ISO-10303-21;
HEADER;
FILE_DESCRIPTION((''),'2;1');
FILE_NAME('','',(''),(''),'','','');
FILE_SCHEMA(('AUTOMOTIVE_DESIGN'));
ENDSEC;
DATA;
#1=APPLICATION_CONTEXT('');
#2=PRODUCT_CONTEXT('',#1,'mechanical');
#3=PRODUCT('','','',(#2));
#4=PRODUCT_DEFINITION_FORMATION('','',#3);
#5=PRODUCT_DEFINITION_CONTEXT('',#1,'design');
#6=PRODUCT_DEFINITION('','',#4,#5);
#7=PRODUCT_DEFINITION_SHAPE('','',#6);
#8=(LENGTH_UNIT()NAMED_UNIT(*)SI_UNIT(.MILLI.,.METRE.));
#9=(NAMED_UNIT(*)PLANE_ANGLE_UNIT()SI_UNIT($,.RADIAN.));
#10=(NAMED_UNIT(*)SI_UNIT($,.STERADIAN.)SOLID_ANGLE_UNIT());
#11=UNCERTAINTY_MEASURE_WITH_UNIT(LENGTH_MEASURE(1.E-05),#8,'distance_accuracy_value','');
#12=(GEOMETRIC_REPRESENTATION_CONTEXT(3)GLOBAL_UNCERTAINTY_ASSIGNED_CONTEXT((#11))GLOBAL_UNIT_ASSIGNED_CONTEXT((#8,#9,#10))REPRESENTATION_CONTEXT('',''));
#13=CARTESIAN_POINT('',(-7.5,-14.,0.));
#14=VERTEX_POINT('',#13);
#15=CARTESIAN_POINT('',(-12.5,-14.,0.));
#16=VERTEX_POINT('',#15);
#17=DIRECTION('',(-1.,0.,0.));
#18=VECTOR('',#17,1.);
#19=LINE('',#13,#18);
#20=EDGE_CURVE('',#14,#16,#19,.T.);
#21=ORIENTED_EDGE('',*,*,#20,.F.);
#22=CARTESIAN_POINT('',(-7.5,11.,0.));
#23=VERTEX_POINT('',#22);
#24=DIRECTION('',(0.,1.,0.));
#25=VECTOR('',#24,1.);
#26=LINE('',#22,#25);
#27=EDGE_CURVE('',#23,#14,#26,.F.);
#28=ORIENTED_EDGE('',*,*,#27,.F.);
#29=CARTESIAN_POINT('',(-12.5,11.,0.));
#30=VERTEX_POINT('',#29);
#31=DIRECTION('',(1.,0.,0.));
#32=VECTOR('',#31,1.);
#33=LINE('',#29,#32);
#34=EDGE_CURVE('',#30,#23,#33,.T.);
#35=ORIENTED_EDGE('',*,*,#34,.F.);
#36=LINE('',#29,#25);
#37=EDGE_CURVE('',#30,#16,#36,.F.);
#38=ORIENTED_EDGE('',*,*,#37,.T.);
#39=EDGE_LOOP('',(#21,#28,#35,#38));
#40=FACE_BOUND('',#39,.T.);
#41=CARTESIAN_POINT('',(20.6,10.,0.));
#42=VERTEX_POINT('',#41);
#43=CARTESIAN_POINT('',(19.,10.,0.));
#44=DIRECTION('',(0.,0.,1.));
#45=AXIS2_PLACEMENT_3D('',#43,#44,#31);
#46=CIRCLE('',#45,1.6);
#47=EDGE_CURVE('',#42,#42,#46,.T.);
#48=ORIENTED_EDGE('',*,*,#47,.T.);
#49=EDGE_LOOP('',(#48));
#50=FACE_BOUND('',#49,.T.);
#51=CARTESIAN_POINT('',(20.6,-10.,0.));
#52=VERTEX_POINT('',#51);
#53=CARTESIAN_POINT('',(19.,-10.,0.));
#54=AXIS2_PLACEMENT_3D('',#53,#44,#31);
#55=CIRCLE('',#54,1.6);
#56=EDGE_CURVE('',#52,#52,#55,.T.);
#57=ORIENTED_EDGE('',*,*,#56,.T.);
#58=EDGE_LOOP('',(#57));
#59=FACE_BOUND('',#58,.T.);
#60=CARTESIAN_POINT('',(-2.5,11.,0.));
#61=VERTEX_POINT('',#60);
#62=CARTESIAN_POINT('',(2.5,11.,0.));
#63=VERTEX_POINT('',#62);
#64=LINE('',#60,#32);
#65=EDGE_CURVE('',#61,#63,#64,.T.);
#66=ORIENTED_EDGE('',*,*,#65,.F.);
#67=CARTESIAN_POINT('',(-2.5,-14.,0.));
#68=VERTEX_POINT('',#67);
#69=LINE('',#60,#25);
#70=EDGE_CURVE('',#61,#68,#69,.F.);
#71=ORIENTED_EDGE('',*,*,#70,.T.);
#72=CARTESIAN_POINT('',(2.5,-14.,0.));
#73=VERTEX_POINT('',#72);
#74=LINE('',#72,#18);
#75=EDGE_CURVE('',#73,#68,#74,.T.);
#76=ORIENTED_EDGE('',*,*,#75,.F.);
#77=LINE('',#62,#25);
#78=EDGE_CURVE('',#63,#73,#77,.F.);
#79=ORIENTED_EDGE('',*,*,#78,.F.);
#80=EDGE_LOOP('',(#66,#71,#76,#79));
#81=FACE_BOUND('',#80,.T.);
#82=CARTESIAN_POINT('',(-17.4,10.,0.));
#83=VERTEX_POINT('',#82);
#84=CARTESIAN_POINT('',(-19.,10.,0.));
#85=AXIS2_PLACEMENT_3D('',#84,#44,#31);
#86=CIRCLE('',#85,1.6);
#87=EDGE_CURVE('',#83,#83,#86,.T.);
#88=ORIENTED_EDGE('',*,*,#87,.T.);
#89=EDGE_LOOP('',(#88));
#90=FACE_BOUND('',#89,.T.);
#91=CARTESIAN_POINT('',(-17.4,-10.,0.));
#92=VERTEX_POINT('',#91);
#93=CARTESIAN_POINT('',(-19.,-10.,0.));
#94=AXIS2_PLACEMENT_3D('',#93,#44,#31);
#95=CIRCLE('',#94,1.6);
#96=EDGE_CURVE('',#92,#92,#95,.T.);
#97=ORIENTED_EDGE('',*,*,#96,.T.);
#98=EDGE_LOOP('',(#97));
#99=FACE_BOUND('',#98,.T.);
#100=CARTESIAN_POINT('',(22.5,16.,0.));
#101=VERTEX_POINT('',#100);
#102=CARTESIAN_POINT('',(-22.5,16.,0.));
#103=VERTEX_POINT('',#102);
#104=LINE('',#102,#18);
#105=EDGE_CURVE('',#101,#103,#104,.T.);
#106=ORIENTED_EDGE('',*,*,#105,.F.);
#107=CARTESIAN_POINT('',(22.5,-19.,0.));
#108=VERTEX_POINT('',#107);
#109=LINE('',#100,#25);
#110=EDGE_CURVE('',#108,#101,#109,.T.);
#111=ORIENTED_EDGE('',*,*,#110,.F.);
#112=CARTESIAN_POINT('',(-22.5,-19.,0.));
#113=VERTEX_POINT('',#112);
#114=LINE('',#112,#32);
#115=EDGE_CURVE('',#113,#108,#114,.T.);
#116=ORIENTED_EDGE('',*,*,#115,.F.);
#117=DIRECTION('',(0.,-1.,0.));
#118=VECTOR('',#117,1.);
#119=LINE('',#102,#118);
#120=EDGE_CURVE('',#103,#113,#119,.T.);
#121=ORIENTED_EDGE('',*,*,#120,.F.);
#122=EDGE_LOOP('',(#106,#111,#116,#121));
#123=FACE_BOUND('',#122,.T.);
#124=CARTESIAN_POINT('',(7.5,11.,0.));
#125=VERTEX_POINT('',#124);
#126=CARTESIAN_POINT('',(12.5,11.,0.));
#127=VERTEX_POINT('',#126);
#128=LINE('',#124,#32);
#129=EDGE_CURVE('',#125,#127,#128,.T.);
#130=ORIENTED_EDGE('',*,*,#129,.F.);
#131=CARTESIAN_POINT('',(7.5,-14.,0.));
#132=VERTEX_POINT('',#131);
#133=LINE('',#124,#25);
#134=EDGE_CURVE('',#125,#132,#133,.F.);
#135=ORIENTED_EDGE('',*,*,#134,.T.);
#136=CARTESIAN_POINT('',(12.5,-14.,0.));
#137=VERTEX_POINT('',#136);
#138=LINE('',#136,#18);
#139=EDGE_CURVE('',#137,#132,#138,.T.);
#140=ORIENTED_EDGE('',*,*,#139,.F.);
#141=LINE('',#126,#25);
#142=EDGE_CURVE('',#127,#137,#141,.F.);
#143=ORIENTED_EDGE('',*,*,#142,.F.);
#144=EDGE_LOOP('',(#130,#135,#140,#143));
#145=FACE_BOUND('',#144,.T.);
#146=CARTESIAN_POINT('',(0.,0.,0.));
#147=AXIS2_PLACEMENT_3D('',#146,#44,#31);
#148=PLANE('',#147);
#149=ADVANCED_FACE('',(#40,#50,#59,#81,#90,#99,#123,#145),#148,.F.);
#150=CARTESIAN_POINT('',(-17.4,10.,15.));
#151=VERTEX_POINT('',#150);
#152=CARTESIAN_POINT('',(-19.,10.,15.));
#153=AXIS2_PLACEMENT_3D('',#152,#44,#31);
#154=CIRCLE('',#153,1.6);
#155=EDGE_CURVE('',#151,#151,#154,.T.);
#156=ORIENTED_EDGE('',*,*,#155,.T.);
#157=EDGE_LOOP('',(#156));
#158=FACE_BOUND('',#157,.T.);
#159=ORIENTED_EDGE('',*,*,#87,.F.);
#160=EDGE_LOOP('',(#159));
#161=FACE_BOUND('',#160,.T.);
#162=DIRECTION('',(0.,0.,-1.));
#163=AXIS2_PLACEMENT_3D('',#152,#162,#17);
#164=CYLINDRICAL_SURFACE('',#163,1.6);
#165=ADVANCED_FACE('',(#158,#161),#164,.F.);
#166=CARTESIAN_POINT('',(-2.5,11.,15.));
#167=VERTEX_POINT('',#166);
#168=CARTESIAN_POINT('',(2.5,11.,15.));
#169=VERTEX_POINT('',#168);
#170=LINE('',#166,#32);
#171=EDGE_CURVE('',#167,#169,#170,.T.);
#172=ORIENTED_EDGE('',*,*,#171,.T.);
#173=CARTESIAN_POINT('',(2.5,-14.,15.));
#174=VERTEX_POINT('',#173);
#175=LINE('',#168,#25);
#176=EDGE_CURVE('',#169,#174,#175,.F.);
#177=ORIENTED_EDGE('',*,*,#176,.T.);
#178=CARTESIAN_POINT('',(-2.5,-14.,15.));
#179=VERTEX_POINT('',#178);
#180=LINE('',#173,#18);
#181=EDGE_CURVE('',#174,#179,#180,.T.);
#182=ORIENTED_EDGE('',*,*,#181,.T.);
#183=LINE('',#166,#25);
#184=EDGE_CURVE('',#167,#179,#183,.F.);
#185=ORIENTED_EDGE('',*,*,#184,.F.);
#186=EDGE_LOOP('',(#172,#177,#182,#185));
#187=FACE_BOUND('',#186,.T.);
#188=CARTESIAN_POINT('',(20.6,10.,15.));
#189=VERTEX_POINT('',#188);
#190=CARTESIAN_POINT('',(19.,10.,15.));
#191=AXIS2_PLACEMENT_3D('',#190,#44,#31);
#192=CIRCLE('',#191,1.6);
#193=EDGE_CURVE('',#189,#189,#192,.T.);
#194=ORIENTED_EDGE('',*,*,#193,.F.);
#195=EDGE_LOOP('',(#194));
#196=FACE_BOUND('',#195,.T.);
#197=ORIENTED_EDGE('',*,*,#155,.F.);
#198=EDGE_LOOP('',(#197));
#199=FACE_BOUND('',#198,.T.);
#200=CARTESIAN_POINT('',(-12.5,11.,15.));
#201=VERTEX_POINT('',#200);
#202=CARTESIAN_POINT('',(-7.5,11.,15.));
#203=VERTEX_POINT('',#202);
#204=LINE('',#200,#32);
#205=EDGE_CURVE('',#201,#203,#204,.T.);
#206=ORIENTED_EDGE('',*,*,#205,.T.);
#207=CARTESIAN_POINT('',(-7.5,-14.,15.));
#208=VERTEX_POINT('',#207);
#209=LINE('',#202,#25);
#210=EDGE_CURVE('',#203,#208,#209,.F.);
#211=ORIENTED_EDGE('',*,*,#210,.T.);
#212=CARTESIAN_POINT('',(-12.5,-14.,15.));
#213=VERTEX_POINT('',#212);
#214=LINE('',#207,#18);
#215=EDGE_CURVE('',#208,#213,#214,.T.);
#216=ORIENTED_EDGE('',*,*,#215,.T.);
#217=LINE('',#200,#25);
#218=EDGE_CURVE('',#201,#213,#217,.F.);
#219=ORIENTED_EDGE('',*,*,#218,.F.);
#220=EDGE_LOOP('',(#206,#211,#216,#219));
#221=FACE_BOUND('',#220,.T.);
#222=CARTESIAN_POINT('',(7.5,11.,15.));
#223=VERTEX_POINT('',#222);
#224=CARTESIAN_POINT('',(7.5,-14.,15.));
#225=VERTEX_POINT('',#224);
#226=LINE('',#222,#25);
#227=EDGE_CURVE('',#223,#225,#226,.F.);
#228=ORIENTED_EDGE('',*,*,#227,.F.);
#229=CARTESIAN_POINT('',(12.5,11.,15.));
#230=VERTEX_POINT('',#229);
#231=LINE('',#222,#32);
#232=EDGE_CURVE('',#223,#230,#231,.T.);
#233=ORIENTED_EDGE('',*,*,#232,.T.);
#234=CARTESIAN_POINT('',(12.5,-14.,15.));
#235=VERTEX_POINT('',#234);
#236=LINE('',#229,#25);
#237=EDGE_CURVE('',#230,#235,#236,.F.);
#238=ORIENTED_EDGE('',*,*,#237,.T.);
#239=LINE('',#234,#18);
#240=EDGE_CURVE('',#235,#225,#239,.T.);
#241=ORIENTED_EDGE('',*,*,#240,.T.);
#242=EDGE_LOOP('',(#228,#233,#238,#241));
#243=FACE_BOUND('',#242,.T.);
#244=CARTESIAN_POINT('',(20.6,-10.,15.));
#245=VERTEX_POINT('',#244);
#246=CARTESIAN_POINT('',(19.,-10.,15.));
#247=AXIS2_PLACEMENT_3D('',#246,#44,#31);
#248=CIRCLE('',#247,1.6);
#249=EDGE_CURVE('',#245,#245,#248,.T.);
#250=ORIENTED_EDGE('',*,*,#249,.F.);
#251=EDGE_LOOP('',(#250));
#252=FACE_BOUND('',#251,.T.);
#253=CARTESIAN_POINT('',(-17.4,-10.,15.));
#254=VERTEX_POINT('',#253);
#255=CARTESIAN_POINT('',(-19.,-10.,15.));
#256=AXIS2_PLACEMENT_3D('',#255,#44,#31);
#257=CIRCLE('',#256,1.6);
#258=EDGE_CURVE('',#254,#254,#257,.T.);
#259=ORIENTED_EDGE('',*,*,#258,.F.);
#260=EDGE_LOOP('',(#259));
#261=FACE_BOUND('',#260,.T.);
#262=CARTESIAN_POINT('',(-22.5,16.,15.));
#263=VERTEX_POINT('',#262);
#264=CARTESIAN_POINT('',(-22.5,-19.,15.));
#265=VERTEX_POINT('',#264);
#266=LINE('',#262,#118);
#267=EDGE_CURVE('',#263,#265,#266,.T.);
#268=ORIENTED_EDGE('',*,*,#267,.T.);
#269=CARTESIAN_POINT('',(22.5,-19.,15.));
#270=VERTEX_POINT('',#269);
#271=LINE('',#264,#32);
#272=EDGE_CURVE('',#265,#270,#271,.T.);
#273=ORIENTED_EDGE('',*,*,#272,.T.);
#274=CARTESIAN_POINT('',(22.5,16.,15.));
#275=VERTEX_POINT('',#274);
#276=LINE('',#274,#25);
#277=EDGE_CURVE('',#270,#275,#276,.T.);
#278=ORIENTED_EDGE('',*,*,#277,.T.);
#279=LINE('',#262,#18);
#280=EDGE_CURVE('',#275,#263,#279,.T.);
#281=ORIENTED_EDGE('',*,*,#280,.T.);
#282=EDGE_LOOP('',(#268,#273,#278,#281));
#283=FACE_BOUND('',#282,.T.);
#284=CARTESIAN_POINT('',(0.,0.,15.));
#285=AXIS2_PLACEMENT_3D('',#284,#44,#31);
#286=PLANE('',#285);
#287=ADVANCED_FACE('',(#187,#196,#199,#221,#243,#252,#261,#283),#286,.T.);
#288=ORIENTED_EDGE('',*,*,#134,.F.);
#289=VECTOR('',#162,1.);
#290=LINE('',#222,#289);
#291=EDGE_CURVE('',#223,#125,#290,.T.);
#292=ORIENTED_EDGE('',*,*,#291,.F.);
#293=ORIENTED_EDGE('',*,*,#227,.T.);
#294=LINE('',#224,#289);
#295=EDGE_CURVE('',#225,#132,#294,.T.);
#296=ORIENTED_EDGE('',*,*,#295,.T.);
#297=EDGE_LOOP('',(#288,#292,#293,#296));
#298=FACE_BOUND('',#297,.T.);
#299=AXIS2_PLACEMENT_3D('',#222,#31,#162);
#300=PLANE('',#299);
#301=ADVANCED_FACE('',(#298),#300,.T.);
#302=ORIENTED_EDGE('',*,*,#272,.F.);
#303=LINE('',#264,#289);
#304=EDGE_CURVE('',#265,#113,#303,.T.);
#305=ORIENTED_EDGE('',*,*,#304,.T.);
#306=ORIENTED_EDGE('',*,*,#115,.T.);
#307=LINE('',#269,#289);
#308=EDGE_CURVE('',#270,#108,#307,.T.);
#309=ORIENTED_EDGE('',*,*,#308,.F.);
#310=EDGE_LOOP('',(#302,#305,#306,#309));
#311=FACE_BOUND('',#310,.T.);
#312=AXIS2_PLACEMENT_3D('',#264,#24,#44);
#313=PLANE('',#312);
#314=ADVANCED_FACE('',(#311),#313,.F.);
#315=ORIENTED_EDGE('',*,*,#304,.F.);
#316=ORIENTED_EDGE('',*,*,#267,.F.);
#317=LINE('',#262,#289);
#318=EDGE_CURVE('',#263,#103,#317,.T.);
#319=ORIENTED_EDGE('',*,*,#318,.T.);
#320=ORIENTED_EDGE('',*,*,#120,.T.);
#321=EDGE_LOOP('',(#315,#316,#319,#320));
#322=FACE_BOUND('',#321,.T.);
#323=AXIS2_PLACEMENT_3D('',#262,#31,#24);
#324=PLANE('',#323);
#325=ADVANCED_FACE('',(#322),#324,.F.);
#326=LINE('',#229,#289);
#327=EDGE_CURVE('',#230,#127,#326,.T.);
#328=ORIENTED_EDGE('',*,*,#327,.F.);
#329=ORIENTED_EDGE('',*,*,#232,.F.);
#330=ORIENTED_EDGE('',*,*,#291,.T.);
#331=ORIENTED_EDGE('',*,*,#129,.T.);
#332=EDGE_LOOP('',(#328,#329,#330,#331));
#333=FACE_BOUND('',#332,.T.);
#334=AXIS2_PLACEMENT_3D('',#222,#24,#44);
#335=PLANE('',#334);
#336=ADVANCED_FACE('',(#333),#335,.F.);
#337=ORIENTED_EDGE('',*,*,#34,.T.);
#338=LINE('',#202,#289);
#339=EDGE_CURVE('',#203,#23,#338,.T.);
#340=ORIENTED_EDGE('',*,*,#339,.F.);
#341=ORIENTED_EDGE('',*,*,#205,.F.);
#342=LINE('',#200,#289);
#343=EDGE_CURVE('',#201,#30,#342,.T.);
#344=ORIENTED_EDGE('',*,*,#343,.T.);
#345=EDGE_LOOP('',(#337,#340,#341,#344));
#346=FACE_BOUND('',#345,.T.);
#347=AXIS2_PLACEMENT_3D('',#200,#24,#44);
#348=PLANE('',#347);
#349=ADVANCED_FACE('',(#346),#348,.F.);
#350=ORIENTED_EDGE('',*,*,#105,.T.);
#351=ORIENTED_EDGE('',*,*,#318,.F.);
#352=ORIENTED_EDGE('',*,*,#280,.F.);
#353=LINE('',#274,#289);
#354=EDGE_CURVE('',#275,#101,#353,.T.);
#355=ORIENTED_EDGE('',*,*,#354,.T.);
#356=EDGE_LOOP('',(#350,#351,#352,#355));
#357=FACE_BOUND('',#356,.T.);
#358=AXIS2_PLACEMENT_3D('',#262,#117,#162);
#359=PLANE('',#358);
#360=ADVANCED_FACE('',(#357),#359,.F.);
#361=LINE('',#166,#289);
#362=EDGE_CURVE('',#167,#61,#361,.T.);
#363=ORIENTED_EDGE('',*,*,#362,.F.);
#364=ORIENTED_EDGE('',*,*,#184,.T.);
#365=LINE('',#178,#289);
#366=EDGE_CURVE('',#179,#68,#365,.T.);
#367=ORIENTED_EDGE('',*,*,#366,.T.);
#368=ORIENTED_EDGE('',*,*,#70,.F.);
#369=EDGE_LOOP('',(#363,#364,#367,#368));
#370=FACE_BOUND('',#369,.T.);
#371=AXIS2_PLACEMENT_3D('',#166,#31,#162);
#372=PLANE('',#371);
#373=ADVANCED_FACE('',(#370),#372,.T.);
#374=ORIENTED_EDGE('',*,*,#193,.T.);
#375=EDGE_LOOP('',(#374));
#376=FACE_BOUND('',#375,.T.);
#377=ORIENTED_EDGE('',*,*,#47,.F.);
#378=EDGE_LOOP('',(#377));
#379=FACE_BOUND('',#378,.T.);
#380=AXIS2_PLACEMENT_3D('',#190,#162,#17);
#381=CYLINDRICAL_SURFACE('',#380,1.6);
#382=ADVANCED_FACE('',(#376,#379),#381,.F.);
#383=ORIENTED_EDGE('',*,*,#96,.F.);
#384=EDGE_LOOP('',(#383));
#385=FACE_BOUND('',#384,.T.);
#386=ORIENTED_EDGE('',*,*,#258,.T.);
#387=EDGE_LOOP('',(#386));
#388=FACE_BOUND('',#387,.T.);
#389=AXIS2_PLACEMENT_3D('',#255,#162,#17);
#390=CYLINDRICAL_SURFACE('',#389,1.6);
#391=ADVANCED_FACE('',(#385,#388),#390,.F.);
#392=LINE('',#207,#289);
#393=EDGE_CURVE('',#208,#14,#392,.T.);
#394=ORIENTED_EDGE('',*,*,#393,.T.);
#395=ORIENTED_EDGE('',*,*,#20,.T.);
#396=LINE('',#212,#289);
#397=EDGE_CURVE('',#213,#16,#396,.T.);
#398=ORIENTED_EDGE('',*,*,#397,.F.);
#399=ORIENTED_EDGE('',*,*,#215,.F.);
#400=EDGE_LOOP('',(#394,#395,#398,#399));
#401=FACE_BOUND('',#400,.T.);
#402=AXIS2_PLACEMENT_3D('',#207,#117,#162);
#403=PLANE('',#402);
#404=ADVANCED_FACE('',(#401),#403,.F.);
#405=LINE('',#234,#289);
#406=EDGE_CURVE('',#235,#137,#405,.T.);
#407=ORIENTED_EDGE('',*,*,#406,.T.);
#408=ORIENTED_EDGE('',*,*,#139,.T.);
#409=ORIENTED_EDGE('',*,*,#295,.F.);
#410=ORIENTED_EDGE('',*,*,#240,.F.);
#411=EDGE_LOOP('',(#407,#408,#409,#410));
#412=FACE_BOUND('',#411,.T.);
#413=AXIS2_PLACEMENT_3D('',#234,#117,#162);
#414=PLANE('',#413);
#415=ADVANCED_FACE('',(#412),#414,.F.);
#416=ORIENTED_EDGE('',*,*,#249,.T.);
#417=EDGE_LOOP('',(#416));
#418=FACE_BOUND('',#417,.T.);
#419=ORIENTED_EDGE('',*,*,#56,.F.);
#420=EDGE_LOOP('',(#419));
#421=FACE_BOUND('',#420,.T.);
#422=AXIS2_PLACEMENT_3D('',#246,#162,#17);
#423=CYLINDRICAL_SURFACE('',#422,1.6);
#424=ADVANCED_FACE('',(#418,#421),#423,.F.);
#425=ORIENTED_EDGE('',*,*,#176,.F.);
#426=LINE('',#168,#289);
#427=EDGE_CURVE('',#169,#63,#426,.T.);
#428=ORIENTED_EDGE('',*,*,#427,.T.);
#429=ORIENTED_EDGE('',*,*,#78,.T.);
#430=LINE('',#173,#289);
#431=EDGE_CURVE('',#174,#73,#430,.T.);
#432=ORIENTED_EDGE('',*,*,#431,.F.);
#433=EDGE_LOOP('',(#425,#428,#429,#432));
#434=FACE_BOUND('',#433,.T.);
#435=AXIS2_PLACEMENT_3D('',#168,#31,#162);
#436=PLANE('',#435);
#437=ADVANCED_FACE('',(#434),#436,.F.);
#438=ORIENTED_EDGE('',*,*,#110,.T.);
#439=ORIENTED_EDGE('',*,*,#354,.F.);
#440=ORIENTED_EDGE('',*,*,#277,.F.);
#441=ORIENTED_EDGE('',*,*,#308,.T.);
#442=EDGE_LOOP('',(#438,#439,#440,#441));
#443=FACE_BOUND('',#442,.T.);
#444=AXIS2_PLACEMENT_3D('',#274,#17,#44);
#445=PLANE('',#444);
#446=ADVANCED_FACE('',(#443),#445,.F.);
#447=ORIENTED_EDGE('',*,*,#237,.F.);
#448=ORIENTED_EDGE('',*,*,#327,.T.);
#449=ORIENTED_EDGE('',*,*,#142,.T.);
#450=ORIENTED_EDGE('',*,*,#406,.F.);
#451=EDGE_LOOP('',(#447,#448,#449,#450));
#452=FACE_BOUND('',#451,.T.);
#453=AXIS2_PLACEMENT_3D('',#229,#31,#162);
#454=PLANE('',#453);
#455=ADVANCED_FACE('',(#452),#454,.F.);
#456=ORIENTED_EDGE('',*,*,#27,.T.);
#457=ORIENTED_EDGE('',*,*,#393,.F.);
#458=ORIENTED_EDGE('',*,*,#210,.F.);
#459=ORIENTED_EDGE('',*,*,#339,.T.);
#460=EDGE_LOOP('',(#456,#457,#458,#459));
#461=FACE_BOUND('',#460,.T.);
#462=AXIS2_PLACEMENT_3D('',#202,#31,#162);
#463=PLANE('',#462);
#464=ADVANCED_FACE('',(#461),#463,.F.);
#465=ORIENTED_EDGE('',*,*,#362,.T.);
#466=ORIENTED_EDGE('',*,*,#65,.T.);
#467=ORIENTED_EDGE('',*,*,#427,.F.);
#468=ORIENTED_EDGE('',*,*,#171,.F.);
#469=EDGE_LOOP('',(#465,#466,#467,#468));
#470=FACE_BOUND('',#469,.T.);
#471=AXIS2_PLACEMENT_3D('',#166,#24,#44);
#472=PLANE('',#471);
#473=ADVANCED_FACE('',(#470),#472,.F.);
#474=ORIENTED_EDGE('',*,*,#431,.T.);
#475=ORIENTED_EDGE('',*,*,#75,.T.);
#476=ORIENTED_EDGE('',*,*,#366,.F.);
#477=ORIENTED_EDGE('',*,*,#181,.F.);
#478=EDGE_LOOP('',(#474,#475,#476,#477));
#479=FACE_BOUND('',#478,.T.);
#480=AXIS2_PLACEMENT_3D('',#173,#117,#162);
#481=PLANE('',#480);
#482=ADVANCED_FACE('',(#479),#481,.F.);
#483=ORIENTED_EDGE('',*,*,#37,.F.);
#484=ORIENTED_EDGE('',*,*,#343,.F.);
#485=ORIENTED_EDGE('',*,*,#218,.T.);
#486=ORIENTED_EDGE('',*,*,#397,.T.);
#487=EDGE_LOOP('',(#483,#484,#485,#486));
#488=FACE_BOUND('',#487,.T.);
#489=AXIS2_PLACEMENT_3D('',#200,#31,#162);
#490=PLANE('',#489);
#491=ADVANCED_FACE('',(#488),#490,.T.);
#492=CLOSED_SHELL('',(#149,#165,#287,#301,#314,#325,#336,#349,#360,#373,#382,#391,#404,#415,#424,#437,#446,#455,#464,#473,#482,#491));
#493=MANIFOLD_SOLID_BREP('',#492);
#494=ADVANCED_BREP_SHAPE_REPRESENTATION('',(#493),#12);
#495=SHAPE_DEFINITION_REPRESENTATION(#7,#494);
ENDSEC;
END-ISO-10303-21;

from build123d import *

# Parameters (mm, degrees)
SKETCH_1_W          = 45
SKETCH_1_H          = 35
SKETCH_1_R          = 1.6
EXTRUDE_1_DEPTH     = 15
SKETCH_2_W          = 5
SKETCH_2_H          = 25
CUT_EXTRUDE_2_DEPTH = 15


with BuildPart() as part:
    # 草图1 → 凸台-拉伸1 (new body)
    with BuildSketch(Plane.XY):
        with Locations((0, -1.5)):
            Rectangle(SKETCH_1_W, SKETCH_1_H)
        with Locations((-19, 10)):
            Circle(SKETCH_1_R, mode=Mode.SUBTRACT)
        with Locations((19, 10)):
            Circle(SKETCH_1_R, mode=Mode.SUBTRACT)
        with Locations((19, -10)):
            Circle(SKETCH_1_R, mode=Mode.SUBTRACT)
        with Locations((-19, -10)):
            Circle(SKETCH_1_R, mode=Mode.SUBTRACT)
    extrude(amount=EXTRUDE_1_DEPTH)

    # 草图2 → 切除-拉伸-薄壁2 (cut)
    with BuildSketch(Plane.XY):
        with Locations((0, -1.5)):
            Rectangle(SKETCH_2_W, SKETCH_2_H)
        with Locations((10, -1.5)):
            Rectangle(SKETCH_2_W, SKETCH_2_H)
        with Locations((-10, -1.5)):
            Rectangle(SKETCH_2_W, SKETCH_2_H)
    extrude(amount=CUT_EXTRUDE_2_DEPTH, mode=Mode.SUBTRACT)


solid = part.part
